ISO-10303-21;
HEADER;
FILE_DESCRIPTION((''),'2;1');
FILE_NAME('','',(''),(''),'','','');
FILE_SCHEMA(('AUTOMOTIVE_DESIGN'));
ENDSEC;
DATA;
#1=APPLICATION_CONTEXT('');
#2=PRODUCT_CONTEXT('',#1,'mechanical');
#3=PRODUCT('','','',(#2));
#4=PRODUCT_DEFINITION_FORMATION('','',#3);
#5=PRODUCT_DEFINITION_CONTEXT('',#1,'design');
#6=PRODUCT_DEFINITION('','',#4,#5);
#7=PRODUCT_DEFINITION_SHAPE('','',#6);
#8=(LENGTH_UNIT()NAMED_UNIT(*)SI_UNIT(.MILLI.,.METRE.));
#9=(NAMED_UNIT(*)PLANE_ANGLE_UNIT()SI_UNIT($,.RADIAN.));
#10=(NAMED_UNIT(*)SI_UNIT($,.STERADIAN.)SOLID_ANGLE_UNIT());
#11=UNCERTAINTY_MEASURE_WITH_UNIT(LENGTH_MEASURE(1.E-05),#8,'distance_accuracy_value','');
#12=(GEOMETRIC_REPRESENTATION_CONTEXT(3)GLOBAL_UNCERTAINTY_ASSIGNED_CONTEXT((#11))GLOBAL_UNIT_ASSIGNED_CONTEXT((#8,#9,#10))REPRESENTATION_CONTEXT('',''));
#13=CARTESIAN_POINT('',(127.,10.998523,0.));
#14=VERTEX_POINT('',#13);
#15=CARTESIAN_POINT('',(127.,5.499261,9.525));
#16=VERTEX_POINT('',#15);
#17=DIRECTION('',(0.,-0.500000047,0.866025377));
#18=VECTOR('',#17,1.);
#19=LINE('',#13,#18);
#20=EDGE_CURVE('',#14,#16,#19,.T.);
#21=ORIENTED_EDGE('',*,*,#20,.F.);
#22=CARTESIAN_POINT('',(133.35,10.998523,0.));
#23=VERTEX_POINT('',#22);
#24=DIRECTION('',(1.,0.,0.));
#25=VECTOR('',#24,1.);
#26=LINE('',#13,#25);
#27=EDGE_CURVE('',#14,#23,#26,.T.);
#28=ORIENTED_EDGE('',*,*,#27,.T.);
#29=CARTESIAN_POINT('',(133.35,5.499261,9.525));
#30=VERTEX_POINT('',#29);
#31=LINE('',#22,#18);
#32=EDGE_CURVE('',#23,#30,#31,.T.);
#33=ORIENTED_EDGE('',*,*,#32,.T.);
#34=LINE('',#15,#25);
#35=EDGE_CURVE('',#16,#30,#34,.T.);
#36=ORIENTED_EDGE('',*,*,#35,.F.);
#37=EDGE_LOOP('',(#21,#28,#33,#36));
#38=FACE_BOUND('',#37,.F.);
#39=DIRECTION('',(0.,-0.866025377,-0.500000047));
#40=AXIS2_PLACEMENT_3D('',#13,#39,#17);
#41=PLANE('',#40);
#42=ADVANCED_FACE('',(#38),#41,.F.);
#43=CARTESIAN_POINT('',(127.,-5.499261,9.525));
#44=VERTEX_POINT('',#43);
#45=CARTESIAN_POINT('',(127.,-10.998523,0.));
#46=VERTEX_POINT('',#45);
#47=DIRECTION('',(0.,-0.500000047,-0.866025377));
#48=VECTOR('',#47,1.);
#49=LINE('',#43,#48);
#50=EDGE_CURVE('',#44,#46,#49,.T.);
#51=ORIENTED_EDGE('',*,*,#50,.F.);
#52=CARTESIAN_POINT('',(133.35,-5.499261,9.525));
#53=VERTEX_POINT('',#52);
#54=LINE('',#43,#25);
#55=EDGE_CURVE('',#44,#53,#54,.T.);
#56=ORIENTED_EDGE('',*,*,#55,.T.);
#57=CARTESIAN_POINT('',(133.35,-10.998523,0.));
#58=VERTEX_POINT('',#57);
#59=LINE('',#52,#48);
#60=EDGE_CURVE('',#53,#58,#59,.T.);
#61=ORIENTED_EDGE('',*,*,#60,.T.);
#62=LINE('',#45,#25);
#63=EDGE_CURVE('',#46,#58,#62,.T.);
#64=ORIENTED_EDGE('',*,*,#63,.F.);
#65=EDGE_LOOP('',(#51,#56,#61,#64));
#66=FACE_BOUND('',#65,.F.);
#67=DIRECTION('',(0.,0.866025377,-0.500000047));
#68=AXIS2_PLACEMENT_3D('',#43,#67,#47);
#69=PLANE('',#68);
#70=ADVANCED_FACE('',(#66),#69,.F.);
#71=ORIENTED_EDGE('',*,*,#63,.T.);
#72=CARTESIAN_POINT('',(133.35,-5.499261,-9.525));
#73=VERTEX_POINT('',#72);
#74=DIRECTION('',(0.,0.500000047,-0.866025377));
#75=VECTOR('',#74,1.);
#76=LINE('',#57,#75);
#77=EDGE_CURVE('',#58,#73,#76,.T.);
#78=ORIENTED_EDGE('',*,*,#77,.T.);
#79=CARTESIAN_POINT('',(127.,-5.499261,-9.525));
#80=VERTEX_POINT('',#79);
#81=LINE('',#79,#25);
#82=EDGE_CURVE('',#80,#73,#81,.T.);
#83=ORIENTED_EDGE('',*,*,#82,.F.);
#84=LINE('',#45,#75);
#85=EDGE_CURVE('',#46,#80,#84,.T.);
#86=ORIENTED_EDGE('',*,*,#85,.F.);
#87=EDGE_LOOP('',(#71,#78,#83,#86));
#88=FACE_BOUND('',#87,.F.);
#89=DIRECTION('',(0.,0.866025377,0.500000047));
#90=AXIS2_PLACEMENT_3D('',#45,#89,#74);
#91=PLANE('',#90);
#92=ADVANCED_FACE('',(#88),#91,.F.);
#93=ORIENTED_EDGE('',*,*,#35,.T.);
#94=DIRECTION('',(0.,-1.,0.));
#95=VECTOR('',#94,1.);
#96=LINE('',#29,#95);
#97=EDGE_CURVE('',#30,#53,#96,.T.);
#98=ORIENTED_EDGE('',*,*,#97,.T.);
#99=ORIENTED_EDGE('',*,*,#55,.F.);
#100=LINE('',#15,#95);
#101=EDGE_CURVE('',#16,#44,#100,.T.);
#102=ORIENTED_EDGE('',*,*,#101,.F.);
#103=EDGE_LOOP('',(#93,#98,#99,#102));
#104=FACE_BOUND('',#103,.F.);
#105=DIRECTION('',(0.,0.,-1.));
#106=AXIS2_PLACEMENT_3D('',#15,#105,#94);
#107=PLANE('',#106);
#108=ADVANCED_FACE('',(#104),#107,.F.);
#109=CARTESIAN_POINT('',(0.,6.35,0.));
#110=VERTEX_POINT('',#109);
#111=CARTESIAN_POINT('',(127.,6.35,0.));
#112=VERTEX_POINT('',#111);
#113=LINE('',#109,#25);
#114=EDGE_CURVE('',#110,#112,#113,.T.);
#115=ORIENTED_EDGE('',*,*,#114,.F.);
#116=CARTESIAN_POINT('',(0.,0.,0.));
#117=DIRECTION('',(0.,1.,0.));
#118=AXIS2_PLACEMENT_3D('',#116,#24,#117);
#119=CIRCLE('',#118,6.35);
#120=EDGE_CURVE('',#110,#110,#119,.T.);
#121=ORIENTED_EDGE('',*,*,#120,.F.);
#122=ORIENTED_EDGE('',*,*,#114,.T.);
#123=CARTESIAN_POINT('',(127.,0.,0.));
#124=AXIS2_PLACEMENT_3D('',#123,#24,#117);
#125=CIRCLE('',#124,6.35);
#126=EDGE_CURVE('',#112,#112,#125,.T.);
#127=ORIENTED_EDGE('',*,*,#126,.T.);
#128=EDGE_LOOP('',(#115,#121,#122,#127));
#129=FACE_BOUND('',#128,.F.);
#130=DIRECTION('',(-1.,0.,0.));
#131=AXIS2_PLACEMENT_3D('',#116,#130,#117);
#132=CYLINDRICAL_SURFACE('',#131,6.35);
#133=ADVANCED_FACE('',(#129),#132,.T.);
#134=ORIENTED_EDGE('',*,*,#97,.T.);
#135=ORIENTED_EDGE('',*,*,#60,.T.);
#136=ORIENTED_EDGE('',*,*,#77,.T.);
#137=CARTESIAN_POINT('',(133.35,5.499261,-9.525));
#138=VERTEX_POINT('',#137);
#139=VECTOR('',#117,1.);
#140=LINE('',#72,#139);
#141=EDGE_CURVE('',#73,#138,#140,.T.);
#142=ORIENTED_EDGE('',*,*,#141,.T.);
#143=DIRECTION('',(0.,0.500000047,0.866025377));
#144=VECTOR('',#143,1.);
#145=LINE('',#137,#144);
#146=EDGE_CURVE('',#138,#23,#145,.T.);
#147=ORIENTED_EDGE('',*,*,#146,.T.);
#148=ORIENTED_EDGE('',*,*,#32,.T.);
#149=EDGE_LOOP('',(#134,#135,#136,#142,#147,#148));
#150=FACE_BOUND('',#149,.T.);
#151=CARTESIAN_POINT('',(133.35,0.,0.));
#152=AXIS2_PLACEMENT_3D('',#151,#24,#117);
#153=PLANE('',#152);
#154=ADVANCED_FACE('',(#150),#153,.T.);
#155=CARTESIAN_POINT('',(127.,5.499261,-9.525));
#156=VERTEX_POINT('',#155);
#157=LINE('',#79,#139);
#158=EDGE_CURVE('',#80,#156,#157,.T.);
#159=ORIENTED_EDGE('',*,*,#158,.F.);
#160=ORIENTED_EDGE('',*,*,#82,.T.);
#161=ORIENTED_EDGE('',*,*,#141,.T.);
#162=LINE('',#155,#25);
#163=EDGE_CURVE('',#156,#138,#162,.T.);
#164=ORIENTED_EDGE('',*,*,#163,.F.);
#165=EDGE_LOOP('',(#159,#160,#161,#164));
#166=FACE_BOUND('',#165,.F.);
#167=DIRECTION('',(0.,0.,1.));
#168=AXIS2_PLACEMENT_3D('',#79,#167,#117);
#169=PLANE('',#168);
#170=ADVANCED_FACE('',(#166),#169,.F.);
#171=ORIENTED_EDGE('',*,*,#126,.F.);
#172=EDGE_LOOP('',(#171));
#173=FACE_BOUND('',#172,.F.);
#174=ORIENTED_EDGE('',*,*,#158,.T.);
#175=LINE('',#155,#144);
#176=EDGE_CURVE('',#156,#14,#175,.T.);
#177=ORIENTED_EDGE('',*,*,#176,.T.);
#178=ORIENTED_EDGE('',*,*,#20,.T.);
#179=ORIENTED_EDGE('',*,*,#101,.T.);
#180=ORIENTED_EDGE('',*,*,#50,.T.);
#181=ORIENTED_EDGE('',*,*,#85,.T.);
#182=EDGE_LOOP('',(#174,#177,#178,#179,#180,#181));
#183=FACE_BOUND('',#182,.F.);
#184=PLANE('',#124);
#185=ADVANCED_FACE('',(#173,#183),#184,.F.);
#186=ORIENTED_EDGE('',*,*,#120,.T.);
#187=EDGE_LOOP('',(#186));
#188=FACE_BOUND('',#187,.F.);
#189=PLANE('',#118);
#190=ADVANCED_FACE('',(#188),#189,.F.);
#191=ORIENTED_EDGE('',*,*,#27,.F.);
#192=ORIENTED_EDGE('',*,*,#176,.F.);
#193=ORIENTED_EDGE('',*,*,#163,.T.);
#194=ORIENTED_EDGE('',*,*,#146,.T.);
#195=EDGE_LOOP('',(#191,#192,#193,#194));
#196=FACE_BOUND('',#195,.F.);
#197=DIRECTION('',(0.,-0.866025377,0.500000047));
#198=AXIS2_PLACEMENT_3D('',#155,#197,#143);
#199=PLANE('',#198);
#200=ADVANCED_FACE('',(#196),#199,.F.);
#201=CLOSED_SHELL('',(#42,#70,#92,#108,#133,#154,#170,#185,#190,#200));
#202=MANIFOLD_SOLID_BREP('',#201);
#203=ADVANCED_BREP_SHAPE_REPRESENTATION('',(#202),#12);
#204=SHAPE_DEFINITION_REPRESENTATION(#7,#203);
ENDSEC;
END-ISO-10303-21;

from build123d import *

# Parameters (mm, degrees)
F0_R     = 6.35
F1_DEPTH = 127
F3_DEPTH = 6.35


with BuildPart() as f1:
    # F0 (on Right) → F1 (new body)
    with BuildSketch(Plane.YZ):
        Circle(F0_R)
    extrude(amount=F1_DEPTH)

    # F2 (on face) → F3 (join)
    with BuildSketch(Plane.YZ.offset(127)):
        Polygon((5.499261, 9.525), (-5.499261, 9.525), (-10.998523, 0), (-5.499261, -9.525), (5.499261, -9.525), (10.998523, 0), align=None)
    extrude(amount=F3_DEPTH)


solid = f1.part
